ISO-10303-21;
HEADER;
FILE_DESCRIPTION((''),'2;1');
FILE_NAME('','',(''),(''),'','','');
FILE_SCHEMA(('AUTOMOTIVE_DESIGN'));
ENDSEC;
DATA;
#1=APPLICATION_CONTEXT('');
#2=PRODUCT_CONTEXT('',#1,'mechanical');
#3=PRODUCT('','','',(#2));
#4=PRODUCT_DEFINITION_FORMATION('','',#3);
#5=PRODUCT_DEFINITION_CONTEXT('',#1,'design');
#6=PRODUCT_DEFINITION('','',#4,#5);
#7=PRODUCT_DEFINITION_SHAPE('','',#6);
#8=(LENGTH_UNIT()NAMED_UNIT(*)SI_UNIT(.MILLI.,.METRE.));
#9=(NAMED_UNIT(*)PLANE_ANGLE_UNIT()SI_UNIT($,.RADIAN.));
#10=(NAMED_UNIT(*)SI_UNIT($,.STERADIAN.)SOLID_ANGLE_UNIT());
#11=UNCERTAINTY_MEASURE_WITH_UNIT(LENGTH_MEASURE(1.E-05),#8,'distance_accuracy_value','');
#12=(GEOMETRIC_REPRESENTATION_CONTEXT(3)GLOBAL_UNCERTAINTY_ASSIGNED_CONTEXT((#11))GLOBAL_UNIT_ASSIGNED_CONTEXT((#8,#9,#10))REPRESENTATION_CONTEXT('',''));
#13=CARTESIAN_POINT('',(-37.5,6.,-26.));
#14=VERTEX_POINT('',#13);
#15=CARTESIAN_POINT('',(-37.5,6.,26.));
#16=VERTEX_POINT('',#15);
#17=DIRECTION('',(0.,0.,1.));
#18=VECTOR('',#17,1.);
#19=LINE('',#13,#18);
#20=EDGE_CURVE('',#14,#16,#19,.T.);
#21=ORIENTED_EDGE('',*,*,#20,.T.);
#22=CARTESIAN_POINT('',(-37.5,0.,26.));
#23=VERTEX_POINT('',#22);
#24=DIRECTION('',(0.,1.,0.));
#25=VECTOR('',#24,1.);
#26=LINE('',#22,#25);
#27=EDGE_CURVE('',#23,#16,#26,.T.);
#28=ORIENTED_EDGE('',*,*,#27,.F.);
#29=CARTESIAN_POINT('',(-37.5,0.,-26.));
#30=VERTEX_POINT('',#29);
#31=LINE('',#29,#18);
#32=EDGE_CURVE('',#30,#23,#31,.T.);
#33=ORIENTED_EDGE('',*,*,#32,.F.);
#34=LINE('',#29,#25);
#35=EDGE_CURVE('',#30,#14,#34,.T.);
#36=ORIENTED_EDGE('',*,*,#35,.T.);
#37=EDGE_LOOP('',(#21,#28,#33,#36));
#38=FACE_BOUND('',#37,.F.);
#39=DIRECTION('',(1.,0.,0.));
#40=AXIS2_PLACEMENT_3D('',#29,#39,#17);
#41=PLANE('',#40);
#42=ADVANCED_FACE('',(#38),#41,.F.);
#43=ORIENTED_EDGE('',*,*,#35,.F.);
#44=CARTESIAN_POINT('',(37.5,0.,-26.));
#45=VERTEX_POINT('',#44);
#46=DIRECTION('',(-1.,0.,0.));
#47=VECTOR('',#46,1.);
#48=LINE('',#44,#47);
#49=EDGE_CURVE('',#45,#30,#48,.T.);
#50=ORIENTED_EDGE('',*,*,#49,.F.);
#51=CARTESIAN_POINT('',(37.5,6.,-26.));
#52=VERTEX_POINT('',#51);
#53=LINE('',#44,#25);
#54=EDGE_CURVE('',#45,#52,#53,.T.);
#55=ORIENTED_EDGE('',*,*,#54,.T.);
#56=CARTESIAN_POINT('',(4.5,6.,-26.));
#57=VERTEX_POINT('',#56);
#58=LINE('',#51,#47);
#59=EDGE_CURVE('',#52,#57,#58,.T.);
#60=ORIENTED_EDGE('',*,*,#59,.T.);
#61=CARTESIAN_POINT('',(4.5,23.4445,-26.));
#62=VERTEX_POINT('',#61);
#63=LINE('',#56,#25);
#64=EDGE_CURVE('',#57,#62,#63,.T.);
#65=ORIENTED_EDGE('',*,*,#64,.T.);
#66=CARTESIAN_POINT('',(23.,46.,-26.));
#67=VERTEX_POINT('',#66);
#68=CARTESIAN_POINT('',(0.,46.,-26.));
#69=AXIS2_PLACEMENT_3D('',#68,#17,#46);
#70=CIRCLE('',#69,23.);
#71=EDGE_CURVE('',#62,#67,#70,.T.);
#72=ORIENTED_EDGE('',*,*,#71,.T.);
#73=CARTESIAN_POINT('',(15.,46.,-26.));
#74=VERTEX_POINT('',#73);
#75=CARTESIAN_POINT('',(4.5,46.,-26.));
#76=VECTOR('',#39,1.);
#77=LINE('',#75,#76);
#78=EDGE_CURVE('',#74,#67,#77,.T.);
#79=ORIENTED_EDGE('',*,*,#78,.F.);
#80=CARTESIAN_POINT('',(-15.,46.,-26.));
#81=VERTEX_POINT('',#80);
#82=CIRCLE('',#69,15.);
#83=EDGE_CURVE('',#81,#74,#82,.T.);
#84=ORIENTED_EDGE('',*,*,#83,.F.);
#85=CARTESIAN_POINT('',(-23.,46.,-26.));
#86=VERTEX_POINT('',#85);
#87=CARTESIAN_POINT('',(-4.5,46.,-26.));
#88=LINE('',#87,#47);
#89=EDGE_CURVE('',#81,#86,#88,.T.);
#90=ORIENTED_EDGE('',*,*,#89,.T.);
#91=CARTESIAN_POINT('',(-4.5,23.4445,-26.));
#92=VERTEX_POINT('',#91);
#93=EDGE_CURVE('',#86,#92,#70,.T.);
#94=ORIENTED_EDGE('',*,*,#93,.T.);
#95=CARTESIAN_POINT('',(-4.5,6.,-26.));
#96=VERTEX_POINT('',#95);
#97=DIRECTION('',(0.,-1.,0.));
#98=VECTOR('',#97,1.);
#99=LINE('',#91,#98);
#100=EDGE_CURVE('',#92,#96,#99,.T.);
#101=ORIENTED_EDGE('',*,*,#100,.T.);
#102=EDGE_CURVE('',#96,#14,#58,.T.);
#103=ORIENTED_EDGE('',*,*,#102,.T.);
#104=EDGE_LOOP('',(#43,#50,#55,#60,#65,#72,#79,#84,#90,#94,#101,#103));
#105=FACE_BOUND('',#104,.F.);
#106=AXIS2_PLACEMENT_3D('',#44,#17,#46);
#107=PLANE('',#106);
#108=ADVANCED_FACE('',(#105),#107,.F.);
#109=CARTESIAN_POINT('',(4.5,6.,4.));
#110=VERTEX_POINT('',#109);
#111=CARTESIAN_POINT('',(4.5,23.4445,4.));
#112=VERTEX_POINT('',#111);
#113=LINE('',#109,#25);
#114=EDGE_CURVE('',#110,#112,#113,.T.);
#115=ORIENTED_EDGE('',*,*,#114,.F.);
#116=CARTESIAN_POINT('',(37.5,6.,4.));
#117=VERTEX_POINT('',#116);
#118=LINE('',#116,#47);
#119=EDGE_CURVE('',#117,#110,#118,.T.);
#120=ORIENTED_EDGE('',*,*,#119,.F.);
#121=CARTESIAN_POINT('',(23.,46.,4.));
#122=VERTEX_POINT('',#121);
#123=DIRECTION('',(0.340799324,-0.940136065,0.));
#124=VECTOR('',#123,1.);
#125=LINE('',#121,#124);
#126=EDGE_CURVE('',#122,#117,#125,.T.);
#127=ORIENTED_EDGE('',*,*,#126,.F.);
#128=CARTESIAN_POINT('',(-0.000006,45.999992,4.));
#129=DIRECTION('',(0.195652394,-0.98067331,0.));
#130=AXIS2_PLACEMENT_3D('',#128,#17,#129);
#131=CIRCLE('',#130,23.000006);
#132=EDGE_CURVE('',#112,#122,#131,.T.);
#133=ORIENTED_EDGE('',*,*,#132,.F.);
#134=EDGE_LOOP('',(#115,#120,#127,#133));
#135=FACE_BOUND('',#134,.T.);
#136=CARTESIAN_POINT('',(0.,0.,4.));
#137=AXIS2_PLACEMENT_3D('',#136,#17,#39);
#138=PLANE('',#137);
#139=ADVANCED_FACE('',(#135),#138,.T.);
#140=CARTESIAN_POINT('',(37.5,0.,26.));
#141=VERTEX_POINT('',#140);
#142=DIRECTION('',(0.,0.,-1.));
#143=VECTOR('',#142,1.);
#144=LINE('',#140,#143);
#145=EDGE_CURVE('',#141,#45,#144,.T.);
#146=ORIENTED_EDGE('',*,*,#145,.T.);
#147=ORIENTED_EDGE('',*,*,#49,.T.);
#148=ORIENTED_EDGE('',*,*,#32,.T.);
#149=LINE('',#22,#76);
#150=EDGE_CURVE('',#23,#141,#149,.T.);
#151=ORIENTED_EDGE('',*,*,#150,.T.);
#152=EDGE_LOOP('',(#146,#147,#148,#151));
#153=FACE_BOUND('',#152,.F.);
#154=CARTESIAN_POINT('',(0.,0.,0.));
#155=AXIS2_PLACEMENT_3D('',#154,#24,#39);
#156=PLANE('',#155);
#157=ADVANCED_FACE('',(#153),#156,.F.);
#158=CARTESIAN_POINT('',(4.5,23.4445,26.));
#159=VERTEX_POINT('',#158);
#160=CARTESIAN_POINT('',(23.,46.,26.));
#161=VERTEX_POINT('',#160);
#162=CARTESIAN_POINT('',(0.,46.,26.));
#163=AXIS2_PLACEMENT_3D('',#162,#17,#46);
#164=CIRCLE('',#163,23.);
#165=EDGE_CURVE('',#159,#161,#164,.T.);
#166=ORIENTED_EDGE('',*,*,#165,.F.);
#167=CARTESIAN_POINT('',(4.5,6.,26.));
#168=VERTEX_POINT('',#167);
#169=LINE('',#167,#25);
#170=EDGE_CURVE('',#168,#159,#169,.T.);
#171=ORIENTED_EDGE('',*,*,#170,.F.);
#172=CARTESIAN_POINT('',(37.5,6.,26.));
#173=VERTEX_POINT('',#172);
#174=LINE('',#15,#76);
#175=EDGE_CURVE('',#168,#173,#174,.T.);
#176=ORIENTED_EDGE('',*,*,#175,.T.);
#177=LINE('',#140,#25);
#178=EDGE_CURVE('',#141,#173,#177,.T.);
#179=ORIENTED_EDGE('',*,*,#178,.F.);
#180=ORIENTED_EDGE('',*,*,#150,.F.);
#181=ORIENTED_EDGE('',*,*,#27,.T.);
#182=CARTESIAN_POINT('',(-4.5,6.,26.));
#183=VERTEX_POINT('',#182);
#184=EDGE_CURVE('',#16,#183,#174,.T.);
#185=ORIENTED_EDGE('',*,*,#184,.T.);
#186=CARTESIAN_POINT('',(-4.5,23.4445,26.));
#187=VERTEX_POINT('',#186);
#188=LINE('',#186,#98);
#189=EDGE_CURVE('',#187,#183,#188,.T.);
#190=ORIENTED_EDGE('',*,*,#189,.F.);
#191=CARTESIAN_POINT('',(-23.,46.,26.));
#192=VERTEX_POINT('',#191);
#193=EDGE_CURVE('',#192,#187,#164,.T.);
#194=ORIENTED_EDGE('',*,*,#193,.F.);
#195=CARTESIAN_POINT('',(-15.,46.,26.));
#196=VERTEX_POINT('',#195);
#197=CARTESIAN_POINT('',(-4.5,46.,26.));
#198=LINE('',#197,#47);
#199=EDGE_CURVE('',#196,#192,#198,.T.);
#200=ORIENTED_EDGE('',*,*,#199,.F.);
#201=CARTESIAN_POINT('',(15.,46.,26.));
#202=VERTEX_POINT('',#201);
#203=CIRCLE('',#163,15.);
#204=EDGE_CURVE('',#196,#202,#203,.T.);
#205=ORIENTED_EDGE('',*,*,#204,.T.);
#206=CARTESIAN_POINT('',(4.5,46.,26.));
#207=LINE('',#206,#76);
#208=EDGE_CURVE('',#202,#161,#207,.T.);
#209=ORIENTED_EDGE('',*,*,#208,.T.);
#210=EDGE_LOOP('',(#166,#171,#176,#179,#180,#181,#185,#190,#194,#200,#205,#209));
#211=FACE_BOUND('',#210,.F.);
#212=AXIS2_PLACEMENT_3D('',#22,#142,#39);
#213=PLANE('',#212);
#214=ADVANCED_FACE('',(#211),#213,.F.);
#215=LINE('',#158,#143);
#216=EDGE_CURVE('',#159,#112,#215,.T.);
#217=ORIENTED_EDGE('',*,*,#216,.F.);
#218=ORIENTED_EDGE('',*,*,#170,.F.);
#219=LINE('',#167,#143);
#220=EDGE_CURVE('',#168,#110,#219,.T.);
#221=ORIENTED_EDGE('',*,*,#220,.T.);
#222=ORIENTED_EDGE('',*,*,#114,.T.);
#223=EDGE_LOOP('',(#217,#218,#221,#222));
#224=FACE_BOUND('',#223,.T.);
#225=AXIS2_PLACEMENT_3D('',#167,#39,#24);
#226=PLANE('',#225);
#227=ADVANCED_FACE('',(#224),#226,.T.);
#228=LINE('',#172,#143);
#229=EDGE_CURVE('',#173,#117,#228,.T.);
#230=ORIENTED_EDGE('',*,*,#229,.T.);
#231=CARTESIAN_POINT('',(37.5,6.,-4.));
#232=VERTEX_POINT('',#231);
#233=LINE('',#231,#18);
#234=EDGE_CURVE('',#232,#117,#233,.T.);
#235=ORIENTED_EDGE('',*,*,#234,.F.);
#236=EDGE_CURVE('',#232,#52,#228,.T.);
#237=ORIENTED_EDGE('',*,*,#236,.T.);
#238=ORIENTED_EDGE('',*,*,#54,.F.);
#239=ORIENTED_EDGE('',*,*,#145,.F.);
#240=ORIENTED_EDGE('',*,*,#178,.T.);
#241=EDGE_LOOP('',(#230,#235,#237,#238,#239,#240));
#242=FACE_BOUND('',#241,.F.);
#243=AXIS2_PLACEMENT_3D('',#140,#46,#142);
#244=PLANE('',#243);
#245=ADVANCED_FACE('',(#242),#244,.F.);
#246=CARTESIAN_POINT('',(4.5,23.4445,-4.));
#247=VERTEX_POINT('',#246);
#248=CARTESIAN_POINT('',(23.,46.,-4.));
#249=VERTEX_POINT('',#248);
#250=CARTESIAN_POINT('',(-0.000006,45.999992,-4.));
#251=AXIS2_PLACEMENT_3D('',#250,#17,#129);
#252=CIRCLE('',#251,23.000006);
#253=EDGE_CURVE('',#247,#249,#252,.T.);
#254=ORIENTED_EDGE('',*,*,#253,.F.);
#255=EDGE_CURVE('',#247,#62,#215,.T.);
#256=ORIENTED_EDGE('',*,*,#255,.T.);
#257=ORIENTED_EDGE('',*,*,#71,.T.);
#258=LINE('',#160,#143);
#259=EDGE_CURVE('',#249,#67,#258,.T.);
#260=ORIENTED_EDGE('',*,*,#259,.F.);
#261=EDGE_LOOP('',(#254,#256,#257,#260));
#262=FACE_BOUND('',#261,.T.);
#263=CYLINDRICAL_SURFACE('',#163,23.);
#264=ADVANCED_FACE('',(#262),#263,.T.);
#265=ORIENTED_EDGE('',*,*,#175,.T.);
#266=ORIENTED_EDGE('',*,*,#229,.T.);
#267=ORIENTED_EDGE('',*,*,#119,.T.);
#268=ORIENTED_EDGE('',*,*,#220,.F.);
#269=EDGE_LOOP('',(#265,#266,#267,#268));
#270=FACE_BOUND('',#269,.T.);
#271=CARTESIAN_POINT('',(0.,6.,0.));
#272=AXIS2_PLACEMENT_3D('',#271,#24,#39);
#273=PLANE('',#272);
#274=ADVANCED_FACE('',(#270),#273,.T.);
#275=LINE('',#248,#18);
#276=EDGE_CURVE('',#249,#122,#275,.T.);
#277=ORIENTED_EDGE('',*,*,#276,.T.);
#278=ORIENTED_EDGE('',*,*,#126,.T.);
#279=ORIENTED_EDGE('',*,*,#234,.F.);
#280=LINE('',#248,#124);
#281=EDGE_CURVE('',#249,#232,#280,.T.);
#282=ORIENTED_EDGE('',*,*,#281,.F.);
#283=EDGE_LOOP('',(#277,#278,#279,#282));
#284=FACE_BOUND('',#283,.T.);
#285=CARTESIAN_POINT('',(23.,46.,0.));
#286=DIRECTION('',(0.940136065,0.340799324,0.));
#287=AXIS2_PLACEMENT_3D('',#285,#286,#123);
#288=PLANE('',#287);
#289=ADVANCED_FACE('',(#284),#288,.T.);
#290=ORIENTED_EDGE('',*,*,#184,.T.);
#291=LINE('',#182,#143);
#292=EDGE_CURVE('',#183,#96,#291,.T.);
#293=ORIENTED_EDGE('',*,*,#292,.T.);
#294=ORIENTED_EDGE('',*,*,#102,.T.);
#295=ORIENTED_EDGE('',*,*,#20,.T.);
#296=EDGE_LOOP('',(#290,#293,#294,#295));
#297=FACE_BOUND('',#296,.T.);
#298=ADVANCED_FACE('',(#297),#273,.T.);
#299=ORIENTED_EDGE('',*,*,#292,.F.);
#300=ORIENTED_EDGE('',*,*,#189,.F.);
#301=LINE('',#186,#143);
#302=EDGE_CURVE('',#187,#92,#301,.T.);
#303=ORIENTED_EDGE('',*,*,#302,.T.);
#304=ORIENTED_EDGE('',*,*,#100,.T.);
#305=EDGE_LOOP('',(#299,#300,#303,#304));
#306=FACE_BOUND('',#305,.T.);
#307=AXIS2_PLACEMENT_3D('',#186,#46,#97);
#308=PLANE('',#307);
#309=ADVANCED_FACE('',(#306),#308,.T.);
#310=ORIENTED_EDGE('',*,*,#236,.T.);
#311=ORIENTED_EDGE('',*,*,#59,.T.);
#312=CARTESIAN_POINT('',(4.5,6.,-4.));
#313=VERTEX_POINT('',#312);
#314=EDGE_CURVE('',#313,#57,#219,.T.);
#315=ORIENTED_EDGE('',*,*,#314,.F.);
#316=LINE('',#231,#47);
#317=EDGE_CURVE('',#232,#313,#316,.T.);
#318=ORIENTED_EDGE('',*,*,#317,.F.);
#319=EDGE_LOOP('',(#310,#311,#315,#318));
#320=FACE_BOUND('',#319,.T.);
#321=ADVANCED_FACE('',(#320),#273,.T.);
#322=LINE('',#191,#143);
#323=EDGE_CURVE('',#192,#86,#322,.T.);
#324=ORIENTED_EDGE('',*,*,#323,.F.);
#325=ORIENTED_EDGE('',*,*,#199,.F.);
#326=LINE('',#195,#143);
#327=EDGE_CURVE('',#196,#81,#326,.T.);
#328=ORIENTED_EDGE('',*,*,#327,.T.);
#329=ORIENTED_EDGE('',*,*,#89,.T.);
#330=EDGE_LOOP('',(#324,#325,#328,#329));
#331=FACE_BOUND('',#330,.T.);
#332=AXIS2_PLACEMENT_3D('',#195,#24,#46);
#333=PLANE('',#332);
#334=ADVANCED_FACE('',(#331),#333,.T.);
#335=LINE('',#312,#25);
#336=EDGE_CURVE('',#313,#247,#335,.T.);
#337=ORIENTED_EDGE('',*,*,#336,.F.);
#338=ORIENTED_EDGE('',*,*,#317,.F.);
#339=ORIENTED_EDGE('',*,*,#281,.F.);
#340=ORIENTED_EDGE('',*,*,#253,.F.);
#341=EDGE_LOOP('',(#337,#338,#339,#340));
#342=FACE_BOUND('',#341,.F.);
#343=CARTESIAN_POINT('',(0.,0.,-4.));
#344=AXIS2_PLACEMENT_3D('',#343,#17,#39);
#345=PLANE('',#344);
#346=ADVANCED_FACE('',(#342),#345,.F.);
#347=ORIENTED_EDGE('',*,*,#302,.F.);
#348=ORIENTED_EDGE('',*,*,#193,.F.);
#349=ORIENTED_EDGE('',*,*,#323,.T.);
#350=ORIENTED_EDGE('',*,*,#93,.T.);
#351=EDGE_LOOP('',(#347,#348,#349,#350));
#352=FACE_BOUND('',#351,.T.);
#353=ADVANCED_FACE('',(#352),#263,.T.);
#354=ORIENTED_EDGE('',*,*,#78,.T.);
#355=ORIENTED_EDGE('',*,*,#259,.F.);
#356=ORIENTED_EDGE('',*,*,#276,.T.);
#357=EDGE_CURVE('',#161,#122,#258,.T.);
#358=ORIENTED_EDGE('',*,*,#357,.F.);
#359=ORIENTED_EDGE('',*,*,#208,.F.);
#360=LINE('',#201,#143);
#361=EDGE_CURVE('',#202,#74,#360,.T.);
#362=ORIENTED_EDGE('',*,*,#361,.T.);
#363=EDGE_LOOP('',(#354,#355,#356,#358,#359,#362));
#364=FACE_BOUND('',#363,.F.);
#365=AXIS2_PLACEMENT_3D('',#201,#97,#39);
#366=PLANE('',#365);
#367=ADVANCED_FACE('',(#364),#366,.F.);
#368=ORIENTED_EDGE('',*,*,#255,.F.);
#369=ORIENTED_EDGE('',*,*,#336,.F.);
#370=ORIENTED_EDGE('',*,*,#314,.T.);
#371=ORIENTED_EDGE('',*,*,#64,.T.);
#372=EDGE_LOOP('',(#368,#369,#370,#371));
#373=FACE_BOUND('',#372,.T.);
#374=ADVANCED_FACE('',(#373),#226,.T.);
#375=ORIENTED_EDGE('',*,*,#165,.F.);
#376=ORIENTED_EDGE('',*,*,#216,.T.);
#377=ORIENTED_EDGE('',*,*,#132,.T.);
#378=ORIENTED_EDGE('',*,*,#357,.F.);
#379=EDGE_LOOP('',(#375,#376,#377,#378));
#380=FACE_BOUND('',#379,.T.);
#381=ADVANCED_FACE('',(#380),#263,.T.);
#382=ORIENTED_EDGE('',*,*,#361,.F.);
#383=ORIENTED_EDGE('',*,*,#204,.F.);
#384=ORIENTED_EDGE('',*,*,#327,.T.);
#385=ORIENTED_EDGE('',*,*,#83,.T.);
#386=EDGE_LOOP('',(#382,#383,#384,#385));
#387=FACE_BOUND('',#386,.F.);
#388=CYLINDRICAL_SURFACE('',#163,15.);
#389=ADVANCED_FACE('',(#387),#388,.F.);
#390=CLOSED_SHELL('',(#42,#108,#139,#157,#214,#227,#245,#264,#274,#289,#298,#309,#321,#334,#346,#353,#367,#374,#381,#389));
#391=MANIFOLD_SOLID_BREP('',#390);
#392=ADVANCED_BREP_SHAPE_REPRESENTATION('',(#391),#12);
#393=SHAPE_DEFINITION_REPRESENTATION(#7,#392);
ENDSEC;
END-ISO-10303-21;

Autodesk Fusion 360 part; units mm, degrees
sketch "Sketch1" plane through (0, 0, 0) normal (0, 1, 0) x (1, 0, 0)
  line L0 (37.5, 26) -> (-37.5, 26)
  line L1 (-37.5, 26) -> (-37.5, -26)
  line L2 (-37.5, -26) -> (37.5, -26)
  line L3 (37.5, -26) -> (37.5, 26)
  line L4 (37.5, 26) -> (-37.5, -26) construction
  line L5 (-37.5, 26) -> (37.5, -26) construction
  dimension "d1" = 75
  dimension "d2" = 52
extrude "Extrude1" add sketch "Sketch1" along normal blind 6
sketch "Sketch2" plane through (0, 0, 26) normal (0, 0, 1) x (1, 0, 0)
  line L0 (-37.5, 0) -> (37.5, 0)
  line L1 (37.5, 0) -> (37.5, 6)
  line L2 (37.5, 6) -> (-37.5, 6)
  line L3 (-37.5, 6) -> (-37.5, 0)
  line L4 (0, 6) -> (0, 26)
  line L5 (4.5, 46) -> (-4.5, 46)
  line L6 (-4.5, 23.4445) -> (-4.5, 6)
  line L7 (-4.5, 6) -> (4.5, 6)
  line L8 (4.5, 6) -> (4.5, 23.4445)
  line L9 (0, 26) -> (-4.5, 6) construction
  line L10 (0, 26) -> (4.5, 6) construction
  line L11 (-4.5, 46) -> (-23, 46)
  line L12 (4.5, 46) -> (23, 46)
  arc A0 (-15, 46) -> (15, 46) centre (0, 46) ccw
  arc A1 (-23, 46) -> (23, 46) centre (0, 46) ccw
  dimension "d7" = 9
  dimension "d10" = 40
  dimension "d11" = 46
  dimension "d12" = 30
extrude "Extrude2" add sketch "Sketch2" against normal blind 52 contours L2 L4 L6 L7 A1 | L2 L4 L7 L8 A1 | L11 L12 A0 A1
sketch "Sketch3" plane through (0, 0, 26) normal (0, 0, 1) x (1, 0, 0)
  line L0 (-37.5, 0) -> (37.5, 0)
  line L1 (37.5, 0) -> (37.5, 6)
  line L2 (37.5, 6) -> (4.5, 6)
  line L3 (4.5, 6) -> (4.5, 23.4445)
  arc A0 (4.5, 23.4445) -> (23, 46) centre (0, 46) ccw
  line L4 (23, 46) -> (15, 46)
  arc A1 (-15, 46) -> (15, 46) centre (0, 46) ccw
  line L5 (-15, 46) -> (-23, 46)
  arc A2 (-23, 46) -> (-4.5, 23.4445) centre (0, 46) ccw
  line L6 (-4.5, 23.4445) -> (-4.5, 6)
  line L7 (-4.5, 6) -> (-37.5, 6)
  line L8 (-37.5, 6) -> (-37.5, 0)
  line L9 (23, 46) -> (37.5, 6)
sketch "Sketch4" plane through (4.5, 0, 0) normal (1, 0, 0) x (0, 0, -1)
  line L0 (-26, 23.4445) -> (-26, 6)
  line L1 (-26, 6) -> (26, 6)
  line L2 (26, 6) -> (26, 23.4445)
  line L3 (26, 23.4445) -> (-26, 23.4445)
extrude "Extrude3" add sketch "Sketch3" along normal mid plane 8 from surface at -26 contours L2 L3 A0 L9
